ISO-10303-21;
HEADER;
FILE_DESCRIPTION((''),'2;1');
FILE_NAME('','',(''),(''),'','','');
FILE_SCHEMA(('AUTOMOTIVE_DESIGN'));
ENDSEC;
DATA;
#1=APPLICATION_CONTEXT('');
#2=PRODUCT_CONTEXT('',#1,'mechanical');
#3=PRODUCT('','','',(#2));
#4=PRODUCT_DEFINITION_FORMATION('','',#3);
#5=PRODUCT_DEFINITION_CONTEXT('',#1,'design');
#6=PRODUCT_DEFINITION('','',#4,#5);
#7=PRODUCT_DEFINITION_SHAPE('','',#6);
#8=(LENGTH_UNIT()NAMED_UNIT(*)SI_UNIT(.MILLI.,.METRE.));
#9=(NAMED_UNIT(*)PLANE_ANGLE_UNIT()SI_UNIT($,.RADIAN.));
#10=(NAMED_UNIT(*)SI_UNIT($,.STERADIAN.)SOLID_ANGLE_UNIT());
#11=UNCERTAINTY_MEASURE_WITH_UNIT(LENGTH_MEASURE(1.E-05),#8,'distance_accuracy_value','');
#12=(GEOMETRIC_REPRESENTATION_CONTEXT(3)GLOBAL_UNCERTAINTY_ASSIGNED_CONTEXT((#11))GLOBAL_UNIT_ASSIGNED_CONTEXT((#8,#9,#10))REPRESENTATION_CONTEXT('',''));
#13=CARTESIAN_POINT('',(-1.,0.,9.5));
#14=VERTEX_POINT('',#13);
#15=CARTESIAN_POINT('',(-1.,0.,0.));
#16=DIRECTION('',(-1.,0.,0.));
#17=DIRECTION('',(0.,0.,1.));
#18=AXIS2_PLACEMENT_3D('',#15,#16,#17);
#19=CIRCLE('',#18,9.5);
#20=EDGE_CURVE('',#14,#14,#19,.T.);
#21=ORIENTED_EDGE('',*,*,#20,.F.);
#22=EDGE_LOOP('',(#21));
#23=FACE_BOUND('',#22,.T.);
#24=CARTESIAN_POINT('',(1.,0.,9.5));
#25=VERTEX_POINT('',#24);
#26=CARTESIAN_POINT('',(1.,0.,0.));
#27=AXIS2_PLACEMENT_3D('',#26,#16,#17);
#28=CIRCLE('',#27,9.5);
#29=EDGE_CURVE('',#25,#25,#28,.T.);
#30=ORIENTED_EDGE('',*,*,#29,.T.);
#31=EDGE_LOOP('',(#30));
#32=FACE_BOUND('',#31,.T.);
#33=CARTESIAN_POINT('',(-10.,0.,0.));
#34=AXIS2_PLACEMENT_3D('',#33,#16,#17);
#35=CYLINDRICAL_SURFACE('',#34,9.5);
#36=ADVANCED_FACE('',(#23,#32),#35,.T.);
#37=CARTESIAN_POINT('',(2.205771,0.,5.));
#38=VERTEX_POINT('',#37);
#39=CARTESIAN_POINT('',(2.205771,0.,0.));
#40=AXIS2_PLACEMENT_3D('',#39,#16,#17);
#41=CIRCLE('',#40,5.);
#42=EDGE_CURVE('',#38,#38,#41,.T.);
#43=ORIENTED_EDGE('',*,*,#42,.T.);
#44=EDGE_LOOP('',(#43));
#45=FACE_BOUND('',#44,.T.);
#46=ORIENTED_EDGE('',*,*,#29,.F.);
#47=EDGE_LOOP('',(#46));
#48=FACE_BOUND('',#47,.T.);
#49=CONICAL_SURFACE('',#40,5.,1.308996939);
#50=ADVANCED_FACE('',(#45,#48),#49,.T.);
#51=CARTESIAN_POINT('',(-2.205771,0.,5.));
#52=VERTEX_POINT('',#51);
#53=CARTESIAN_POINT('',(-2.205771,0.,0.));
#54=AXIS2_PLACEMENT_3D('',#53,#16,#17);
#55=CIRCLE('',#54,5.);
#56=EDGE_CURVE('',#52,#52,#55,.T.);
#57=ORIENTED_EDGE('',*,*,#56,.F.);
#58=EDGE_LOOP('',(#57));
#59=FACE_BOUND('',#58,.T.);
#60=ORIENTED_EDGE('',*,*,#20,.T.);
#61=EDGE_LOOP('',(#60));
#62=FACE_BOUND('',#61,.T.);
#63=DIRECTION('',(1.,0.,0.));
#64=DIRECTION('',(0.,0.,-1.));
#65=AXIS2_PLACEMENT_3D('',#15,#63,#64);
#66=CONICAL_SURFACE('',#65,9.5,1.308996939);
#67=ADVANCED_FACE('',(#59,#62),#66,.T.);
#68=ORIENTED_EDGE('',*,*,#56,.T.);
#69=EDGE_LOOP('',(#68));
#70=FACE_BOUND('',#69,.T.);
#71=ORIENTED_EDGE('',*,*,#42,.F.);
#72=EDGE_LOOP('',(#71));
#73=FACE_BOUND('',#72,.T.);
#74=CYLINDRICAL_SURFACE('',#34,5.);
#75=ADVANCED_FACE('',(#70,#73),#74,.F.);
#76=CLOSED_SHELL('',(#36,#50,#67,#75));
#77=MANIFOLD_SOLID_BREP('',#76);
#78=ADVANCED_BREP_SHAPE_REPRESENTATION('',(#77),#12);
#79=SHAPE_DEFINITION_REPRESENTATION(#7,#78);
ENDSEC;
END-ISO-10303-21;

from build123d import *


with BuildPart() as part:
    # Ske → Revolve 399 (revolve)
    with BuildSketch(Plane.XY):
        Polygon((-1, 9.5), (1, 9.5), (2.205771366, 5), (-2.205771366, 5), align=None)
    revolve(axis=Axis((-10, 0, 0), (1, 0, 0)))


solid = part.part
